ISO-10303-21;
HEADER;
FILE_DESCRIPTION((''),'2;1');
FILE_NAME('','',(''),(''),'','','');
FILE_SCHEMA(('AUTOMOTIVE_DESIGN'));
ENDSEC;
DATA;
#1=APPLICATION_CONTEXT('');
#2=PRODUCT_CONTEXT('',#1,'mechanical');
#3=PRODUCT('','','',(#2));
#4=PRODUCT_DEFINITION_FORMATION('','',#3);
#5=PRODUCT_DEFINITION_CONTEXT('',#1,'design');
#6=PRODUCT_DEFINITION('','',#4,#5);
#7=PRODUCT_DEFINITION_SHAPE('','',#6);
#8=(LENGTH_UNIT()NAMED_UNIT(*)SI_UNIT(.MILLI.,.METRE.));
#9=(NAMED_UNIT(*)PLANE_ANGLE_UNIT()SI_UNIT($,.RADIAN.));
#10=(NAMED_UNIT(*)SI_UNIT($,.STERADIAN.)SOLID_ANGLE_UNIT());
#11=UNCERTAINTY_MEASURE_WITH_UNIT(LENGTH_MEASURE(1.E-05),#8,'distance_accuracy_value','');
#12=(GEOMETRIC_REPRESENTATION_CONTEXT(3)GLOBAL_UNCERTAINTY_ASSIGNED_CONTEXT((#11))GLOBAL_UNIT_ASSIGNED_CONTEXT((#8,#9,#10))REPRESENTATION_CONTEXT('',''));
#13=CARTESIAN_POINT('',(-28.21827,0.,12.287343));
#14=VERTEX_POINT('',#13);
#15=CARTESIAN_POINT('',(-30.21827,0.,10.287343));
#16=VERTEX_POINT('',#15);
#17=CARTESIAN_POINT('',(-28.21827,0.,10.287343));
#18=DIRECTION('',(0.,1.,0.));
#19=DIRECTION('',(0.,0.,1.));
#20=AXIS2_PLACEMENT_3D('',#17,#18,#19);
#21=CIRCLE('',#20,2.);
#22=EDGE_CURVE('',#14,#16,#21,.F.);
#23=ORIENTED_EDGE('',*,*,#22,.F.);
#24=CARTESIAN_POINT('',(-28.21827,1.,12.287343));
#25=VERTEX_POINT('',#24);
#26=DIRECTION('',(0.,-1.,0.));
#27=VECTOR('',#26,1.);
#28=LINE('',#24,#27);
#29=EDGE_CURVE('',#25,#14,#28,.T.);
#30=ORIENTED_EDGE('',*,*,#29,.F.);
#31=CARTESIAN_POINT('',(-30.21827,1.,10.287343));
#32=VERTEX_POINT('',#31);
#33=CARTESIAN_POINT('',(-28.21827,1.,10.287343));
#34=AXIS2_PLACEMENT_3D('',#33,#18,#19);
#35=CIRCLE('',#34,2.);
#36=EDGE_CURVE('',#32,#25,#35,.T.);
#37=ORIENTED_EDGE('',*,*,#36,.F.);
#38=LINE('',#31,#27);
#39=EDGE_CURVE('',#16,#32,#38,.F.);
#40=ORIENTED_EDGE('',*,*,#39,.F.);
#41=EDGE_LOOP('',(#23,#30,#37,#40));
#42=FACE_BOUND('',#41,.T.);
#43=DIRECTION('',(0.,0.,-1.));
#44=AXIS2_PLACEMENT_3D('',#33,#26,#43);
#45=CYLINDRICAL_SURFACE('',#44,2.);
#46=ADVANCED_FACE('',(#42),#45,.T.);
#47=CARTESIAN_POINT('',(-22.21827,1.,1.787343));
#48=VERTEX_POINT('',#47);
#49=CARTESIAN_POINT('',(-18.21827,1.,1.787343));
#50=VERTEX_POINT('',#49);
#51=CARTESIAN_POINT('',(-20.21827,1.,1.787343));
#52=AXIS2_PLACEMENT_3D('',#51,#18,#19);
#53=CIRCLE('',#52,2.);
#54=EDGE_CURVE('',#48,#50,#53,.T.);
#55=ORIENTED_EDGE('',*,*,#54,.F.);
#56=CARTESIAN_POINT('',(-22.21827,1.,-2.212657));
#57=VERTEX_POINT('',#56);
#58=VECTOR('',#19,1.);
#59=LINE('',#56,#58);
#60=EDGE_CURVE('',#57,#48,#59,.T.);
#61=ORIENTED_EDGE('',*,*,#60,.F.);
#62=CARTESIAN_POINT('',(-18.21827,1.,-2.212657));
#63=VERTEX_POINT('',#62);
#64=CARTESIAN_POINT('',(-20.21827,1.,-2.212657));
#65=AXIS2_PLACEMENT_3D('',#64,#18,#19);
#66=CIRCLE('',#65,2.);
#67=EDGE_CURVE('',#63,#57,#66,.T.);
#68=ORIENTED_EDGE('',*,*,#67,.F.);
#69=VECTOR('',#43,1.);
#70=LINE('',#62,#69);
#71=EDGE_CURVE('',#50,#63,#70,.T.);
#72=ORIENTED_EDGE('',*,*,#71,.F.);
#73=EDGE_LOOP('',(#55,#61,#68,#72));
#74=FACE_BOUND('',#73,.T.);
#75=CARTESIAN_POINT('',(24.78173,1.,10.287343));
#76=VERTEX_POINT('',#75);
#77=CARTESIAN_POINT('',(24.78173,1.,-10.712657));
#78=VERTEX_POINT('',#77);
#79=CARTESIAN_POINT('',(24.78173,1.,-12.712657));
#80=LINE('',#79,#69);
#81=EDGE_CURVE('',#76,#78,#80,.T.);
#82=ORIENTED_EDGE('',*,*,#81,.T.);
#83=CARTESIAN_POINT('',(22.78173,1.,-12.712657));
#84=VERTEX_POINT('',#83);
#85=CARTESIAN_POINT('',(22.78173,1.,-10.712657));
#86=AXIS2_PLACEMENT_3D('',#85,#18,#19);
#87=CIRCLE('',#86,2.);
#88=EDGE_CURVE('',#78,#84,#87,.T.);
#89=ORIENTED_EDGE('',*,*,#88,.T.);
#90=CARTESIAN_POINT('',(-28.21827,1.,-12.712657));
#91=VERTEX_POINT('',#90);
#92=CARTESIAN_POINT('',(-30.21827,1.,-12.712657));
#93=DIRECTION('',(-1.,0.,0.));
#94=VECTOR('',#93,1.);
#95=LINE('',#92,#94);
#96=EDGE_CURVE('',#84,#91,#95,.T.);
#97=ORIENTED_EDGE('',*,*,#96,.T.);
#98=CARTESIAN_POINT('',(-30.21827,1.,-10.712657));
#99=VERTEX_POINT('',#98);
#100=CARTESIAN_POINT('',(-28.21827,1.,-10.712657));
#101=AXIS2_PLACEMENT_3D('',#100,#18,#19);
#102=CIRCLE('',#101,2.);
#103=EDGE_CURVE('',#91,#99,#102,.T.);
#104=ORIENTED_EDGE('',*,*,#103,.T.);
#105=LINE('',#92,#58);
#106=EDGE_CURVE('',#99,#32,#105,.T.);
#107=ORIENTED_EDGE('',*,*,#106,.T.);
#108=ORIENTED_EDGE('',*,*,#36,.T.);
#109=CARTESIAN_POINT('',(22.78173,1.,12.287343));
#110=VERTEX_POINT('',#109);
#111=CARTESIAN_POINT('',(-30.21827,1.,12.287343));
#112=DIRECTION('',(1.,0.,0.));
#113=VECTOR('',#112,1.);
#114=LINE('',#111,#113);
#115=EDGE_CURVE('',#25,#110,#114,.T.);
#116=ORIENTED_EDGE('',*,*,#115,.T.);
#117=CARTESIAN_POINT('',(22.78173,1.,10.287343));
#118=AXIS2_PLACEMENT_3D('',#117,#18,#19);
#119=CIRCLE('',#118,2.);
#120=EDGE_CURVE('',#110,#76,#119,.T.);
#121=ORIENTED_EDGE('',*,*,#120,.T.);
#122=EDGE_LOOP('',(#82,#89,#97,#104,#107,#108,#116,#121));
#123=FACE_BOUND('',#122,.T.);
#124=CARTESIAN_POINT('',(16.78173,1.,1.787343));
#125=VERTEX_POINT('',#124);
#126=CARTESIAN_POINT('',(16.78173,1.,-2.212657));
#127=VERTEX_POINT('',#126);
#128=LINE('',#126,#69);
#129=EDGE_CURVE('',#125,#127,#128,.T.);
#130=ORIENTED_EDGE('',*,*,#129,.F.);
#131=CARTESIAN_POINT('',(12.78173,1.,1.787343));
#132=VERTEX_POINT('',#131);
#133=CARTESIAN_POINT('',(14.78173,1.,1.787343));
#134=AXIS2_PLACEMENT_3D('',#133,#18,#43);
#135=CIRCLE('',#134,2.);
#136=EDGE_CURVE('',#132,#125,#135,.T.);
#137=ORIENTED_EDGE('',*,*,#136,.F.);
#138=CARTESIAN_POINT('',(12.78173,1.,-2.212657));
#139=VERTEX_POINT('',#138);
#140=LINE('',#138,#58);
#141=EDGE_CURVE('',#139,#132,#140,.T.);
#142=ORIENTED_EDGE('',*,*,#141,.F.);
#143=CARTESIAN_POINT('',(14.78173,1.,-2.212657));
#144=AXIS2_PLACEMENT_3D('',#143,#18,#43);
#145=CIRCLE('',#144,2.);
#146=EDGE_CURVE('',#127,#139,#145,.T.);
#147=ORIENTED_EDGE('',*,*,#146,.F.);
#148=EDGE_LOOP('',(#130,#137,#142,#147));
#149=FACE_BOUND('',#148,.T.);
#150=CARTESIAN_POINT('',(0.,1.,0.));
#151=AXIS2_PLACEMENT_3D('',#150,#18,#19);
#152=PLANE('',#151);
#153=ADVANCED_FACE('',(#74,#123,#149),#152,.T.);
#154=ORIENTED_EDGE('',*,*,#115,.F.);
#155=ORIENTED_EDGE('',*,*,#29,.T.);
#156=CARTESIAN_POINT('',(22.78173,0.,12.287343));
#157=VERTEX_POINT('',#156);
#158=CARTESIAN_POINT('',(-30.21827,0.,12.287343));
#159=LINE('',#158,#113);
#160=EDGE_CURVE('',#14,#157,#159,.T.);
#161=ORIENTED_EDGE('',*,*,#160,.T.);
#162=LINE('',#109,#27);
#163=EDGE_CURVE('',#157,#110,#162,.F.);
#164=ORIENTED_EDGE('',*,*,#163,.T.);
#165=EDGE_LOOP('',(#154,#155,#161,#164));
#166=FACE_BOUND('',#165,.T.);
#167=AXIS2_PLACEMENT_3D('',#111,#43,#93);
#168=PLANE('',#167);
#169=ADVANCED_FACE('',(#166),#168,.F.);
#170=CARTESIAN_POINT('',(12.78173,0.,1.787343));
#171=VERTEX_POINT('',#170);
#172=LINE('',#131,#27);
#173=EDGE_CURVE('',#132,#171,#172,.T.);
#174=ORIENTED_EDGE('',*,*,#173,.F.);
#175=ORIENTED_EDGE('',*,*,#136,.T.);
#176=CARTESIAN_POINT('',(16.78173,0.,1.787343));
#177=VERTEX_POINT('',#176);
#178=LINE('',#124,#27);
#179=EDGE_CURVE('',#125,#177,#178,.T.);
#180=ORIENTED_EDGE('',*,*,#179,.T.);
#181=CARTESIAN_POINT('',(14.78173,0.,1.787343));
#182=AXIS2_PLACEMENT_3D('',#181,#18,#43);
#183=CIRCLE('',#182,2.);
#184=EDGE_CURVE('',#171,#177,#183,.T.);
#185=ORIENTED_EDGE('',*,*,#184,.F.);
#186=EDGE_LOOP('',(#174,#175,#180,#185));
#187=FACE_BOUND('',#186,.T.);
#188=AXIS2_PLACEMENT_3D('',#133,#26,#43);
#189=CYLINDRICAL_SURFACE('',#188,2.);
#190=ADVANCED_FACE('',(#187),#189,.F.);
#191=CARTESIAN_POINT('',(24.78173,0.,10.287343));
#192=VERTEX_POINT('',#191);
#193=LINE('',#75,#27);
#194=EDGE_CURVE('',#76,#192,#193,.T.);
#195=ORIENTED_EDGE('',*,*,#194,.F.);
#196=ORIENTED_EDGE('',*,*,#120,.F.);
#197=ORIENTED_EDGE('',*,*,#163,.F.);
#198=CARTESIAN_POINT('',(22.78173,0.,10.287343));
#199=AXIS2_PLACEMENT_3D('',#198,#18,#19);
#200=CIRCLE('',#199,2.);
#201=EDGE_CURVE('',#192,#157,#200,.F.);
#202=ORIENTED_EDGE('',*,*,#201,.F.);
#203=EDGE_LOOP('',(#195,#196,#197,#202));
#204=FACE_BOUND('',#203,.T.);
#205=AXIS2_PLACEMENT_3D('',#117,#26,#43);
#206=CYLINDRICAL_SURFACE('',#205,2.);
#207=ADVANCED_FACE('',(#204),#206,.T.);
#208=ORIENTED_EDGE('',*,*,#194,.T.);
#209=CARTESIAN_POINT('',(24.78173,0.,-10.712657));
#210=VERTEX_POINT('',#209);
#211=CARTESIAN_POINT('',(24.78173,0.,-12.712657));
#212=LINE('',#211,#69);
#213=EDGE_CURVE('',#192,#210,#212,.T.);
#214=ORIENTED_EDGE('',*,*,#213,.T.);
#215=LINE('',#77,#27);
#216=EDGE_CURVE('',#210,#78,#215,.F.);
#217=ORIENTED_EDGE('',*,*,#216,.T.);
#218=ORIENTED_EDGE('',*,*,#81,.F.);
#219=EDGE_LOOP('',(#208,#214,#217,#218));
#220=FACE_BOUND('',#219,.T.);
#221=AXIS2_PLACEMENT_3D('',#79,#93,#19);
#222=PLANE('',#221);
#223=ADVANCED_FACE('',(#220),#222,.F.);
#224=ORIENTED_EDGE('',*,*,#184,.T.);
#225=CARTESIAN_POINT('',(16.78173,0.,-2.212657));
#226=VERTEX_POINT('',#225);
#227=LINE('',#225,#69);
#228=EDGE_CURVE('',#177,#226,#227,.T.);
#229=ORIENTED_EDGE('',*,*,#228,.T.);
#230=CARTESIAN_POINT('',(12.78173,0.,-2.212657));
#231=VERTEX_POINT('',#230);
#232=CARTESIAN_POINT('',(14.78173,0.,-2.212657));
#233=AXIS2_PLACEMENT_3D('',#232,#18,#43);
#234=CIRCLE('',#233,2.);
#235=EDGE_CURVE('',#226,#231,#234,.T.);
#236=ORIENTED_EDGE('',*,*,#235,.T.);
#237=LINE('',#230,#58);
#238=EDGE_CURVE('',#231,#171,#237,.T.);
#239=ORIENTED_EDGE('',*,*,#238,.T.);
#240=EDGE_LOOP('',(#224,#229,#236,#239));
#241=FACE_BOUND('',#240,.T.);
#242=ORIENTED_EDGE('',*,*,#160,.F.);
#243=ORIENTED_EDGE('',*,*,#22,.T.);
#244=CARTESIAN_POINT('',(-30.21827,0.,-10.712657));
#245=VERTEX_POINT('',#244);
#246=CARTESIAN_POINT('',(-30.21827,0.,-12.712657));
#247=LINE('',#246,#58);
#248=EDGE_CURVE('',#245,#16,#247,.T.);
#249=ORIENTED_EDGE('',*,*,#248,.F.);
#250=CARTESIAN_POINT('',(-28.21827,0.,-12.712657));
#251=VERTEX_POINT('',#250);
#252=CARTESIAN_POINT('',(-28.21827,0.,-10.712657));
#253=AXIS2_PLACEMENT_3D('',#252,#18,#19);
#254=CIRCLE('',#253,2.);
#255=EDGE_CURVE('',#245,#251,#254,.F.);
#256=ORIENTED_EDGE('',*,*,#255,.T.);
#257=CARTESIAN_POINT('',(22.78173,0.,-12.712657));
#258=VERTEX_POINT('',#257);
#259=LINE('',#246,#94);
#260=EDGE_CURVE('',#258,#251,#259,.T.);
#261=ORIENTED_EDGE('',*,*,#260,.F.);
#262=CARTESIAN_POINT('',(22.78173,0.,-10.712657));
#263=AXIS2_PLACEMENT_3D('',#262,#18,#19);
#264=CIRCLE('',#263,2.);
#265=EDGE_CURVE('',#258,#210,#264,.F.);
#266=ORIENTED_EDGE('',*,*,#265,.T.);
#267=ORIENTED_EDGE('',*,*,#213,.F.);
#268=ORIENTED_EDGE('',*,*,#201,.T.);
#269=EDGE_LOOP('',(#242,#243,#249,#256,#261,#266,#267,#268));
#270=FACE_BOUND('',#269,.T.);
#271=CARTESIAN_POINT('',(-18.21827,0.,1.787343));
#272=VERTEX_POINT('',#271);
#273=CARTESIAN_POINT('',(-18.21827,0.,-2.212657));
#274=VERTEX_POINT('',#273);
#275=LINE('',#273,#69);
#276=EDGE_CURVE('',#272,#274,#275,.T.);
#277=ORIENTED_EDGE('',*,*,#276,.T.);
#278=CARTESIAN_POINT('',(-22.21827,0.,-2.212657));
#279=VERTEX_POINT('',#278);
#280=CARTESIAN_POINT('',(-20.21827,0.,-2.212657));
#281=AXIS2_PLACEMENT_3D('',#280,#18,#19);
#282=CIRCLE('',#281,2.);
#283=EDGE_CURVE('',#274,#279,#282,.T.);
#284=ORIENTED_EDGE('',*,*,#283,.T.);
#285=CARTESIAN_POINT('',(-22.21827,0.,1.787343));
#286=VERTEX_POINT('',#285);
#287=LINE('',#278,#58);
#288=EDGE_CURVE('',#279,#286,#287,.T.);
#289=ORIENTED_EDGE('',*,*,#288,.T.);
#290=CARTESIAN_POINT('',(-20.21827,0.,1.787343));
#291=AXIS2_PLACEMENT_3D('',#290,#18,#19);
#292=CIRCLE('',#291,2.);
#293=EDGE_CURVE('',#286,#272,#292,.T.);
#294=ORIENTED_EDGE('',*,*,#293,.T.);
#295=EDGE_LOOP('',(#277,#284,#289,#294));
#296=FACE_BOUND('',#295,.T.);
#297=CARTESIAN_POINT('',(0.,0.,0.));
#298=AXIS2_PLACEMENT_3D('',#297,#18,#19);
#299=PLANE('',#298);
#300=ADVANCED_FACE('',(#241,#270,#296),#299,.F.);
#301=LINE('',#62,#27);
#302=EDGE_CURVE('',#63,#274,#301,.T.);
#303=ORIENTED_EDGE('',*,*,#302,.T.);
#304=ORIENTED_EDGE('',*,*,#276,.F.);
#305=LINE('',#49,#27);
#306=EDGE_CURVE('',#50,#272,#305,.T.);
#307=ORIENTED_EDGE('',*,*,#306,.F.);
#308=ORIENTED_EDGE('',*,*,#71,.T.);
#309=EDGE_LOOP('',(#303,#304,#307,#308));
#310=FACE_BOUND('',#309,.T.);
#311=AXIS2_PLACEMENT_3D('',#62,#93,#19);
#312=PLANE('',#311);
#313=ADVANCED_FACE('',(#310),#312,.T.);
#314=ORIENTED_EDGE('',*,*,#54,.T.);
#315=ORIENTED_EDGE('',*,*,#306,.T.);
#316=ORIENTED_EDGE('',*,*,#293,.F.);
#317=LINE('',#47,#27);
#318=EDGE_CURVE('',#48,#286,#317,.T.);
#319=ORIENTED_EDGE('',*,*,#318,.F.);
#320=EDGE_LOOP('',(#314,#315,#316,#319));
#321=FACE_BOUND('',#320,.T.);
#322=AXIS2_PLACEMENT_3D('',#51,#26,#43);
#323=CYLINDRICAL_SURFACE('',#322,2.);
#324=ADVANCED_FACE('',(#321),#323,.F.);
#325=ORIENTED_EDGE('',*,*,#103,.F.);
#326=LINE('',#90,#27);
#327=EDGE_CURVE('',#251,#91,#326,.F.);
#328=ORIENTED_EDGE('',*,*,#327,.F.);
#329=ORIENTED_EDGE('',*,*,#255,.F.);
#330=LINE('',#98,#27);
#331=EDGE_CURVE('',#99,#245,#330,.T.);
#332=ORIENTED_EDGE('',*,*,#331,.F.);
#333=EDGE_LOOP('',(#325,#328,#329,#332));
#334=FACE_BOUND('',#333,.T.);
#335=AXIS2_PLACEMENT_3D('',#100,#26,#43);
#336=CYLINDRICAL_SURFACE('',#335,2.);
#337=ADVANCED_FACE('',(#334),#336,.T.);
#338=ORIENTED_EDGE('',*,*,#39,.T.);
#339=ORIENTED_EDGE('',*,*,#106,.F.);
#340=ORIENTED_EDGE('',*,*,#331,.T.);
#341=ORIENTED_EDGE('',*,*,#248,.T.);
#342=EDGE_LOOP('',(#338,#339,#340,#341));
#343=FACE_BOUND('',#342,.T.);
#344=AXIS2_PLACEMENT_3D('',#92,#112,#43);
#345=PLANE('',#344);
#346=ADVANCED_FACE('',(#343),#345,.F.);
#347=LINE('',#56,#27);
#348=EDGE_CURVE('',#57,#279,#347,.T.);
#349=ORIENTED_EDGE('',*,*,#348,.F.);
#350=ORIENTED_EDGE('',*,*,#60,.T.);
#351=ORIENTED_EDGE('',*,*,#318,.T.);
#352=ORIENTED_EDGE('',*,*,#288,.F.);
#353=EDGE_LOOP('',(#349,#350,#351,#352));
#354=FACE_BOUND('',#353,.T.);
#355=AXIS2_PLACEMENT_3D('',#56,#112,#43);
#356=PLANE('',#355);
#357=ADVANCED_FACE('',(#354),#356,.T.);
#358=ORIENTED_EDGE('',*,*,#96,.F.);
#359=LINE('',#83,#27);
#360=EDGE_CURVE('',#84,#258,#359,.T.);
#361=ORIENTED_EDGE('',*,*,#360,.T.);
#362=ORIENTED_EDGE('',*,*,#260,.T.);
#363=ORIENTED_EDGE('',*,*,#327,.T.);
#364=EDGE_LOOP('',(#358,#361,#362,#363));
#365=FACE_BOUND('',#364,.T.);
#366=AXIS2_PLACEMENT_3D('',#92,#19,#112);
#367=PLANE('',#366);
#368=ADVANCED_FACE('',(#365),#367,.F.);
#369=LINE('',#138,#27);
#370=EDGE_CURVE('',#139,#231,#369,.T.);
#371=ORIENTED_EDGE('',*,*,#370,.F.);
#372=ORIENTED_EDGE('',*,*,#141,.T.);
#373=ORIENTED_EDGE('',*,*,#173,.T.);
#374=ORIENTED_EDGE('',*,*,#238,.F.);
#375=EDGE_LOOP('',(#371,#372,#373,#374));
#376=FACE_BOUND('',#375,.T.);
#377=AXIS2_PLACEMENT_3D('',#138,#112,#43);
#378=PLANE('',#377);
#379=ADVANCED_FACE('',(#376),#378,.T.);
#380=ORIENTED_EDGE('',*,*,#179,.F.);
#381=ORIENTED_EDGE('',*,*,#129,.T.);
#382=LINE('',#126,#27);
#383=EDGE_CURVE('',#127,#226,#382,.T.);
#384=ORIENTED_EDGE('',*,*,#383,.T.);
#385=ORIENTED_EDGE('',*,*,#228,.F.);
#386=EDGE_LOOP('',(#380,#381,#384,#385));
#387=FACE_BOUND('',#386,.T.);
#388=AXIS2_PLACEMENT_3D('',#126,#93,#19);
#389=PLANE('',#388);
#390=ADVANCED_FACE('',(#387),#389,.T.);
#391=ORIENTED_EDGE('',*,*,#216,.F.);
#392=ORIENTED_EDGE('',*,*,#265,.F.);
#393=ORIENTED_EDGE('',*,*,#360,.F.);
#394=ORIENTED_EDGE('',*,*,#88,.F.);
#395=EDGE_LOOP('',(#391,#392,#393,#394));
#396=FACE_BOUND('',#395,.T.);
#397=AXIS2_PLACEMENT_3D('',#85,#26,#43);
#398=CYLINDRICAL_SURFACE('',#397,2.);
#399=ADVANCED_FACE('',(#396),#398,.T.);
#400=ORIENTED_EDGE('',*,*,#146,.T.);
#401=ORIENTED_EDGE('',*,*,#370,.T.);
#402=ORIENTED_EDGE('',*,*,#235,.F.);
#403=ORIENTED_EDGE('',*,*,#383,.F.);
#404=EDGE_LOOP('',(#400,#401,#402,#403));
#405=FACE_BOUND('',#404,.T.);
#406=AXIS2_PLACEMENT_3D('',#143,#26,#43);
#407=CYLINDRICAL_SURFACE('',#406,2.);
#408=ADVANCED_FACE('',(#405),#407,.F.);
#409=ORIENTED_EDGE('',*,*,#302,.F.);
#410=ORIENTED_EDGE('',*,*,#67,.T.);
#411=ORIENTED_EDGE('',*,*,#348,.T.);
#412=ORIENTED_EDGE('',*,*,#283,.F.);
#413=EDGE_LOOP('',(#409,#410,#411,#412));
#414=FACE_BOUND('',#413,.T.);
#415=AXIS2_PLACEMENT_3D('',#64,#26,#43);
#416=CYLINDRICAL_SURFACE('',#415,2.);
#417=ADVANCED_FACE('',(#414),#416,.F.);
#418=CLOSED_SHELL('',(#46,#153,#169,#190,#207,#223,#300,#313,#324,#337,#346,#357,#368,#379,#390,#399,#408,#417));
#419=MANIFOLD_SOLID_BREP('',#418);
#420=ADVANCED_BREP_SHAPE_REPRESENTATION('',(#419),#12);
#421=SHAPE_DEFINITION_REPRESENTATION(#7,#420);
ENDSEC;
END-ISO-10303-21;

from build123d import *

# Parameters (mm, degrees)
SKETCH_1_W      = 55
SKETCH_1_H      = 25
EXTRUDE_1_DEPTH = 1
FILLET_1_R      = 2


with BuildPart() as part:
    # Эскиз1 → Бобышка-Вытянуть1 (new body)
    with BuildSketch(Plane(origin=(0, 0, 0), x_dir=(1, 0, 0), z_dir=(0, 1, 0))):
        with Locations((-2.718269759, 0.212657213)):
            Rectangle(SKETCH_1_W, SKETCH_1_H)
        with BuildLine():
            Line((-18.218269759, 2.212657213), (-18.218269759, -1.787342787))
            ThreePointArc((-18.218269759, -1.787342787), (-20.218269759, -3.787342787), (-22.218269759, -1.787342787))
            Line((-22.218269759, -1.787342787), (-22.218269759, 2.212657213))
            ThreePointArc((-22.218269759, 2.212657213), (-20.218269759, 4.212657213), (-18.218269759, 2.212657213))
        make_face(mode=Mode.SUBTRACT)
        with BuildLine():
            Line((12.781730241, 2.212657213), (12.781730241, -1.787342787))
            ThreePointArc((12.781730241, -1.787342787), (14.781730241, -3.787342787), (16.781730241, -1.787342787))
            Line((16.781730241, -1.787342787), (16.781730241, 2.212657213))
            ThreePointArc((16.781730241, 2.212657213), (14.781730241, 4.212657213), (12.781730241, 2.212657213))
        make_face(mode=Mode.SUBTRACT)
    extrude(amount=EXTRUDE_1_DEPTH)

    # Скругление1
    fillet_1_edges = [part.edges().sort_by_distance(p)[0] for p in [
        (24.781730241, 0.5, 12.287342787),
        (-30.218269759, 0.5, 12.287342787),
        (-30.218269759, 0.5, -12.712657213),
        (24.781730241, 0.5, -12.712657213),
    ]]
    fillet(fillet_1_edges, radius=FILLET_1_R)


solid = part.part
